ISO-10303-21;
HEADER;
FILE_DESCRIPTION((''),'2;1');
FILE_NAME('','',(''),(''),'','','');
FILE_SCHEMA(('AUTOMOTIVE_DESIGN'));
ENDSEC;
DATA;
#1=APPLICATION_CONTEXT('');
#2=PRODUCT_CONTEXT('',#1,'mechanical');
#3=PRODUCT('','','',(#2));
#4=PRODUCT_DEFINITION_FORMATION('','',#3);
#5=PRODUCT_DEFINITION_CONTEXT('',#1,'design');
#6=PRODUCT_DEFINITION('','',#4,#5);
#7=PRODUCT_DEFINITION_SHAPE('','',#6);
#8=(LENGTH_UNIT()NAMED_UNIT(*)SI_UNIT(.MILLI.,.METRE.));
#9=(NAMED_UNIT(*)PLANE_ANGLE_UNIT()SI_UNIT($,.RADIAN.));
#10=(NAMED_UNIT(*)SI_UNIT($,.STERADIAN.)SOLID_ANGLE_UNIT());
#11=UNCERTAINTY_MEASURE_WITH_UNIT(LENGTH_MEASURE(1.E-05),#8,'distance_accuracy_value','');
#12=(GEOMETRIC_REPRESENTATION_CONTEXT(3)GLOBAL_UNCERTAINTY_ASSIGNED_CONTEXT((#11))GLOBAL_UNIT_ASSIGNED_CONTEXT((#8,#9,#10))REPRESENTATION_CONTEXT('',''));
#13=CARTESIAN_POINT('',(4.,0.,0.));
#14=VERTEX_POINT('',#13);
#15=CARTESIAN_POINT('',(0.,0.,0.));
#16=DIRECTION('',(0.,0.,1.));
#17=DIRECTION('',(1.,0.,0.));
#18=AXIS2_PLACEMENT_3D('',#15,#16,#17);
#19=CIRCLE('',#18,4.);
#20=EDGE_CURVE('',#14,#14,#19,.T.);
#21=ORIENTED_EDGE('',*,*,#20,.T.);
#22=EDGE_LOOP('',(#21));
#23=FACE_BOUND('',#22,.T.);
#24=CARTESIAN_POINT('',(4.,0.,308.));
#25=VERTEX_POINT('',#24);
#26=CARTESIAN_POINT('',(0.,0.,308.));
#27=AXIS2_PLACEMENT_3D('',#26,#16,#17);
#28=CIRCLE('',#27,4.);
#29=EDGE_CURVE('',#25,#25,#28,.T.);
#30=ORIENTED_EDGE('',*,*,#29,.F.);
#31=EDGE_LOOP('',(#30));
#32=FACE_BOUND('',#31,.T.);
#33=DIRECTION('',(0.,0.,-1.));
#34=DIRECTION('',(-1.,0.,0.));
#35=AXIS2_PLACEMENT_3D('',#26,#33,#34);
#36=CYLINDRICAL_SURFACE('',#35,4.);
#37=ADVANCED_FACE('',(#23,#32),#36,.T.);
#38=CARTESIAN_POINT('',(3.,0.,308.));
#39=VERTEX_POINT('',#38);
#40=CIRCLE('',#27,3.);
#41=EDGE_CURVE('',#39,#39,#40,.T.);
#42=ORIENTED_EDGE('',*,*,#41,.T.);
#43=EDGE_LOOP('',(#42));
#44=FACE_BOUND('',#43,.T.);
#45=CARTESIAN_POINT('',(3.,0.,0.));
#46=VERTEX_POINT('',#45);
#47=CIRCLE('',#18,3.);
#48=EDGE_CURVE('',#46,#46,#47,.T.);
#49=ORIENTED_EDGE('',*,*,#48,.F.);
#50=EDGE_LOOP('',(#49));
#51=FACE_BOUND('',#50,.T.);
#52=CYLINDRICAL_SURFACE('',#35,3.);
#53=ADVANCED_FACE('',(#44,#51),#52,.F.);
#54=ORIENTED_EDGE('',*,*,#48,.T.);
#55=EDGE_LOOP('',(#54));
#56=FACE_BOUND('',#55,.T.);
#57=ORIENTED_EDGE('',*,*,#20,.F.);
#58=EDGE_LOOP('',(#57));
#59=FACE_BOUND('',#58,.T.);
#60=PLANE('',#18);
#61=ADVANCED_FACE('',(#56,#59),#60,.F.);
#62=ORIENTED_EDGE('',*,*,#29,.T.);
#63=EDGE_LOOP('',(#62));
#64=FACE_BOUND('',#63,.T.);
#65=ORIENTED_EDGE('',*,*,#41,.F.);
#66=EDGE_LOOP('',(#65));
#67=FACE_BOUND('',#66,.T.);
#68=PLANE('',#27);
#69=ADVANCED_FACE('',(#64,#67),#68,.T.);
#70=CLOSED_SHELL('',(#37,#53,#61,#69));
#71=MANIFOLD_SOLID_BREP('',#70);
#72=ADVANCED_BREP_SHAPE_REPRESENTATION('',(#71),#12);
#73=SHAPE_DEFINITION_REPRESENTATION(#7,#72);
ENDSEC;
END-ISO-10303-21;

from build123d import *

# Parameters (mm, degrees)
SKETCH1_R              = 4
SKETCH1_R_2            = 3
COMPRESSION_TUBE_DEPTH = 308


with BuildPart() as part:
    # Sketch1 → Compression_Tube (new body)
    with BuildSketch(Plane.XY):
        Circle(SKETCH1_R)
        Circle(SKETCH1_R_2, mode=Mode.SUBTRACT)
    extrude(amount=COMPRESSION_TUBE_DEPTH)


solid = part.part
